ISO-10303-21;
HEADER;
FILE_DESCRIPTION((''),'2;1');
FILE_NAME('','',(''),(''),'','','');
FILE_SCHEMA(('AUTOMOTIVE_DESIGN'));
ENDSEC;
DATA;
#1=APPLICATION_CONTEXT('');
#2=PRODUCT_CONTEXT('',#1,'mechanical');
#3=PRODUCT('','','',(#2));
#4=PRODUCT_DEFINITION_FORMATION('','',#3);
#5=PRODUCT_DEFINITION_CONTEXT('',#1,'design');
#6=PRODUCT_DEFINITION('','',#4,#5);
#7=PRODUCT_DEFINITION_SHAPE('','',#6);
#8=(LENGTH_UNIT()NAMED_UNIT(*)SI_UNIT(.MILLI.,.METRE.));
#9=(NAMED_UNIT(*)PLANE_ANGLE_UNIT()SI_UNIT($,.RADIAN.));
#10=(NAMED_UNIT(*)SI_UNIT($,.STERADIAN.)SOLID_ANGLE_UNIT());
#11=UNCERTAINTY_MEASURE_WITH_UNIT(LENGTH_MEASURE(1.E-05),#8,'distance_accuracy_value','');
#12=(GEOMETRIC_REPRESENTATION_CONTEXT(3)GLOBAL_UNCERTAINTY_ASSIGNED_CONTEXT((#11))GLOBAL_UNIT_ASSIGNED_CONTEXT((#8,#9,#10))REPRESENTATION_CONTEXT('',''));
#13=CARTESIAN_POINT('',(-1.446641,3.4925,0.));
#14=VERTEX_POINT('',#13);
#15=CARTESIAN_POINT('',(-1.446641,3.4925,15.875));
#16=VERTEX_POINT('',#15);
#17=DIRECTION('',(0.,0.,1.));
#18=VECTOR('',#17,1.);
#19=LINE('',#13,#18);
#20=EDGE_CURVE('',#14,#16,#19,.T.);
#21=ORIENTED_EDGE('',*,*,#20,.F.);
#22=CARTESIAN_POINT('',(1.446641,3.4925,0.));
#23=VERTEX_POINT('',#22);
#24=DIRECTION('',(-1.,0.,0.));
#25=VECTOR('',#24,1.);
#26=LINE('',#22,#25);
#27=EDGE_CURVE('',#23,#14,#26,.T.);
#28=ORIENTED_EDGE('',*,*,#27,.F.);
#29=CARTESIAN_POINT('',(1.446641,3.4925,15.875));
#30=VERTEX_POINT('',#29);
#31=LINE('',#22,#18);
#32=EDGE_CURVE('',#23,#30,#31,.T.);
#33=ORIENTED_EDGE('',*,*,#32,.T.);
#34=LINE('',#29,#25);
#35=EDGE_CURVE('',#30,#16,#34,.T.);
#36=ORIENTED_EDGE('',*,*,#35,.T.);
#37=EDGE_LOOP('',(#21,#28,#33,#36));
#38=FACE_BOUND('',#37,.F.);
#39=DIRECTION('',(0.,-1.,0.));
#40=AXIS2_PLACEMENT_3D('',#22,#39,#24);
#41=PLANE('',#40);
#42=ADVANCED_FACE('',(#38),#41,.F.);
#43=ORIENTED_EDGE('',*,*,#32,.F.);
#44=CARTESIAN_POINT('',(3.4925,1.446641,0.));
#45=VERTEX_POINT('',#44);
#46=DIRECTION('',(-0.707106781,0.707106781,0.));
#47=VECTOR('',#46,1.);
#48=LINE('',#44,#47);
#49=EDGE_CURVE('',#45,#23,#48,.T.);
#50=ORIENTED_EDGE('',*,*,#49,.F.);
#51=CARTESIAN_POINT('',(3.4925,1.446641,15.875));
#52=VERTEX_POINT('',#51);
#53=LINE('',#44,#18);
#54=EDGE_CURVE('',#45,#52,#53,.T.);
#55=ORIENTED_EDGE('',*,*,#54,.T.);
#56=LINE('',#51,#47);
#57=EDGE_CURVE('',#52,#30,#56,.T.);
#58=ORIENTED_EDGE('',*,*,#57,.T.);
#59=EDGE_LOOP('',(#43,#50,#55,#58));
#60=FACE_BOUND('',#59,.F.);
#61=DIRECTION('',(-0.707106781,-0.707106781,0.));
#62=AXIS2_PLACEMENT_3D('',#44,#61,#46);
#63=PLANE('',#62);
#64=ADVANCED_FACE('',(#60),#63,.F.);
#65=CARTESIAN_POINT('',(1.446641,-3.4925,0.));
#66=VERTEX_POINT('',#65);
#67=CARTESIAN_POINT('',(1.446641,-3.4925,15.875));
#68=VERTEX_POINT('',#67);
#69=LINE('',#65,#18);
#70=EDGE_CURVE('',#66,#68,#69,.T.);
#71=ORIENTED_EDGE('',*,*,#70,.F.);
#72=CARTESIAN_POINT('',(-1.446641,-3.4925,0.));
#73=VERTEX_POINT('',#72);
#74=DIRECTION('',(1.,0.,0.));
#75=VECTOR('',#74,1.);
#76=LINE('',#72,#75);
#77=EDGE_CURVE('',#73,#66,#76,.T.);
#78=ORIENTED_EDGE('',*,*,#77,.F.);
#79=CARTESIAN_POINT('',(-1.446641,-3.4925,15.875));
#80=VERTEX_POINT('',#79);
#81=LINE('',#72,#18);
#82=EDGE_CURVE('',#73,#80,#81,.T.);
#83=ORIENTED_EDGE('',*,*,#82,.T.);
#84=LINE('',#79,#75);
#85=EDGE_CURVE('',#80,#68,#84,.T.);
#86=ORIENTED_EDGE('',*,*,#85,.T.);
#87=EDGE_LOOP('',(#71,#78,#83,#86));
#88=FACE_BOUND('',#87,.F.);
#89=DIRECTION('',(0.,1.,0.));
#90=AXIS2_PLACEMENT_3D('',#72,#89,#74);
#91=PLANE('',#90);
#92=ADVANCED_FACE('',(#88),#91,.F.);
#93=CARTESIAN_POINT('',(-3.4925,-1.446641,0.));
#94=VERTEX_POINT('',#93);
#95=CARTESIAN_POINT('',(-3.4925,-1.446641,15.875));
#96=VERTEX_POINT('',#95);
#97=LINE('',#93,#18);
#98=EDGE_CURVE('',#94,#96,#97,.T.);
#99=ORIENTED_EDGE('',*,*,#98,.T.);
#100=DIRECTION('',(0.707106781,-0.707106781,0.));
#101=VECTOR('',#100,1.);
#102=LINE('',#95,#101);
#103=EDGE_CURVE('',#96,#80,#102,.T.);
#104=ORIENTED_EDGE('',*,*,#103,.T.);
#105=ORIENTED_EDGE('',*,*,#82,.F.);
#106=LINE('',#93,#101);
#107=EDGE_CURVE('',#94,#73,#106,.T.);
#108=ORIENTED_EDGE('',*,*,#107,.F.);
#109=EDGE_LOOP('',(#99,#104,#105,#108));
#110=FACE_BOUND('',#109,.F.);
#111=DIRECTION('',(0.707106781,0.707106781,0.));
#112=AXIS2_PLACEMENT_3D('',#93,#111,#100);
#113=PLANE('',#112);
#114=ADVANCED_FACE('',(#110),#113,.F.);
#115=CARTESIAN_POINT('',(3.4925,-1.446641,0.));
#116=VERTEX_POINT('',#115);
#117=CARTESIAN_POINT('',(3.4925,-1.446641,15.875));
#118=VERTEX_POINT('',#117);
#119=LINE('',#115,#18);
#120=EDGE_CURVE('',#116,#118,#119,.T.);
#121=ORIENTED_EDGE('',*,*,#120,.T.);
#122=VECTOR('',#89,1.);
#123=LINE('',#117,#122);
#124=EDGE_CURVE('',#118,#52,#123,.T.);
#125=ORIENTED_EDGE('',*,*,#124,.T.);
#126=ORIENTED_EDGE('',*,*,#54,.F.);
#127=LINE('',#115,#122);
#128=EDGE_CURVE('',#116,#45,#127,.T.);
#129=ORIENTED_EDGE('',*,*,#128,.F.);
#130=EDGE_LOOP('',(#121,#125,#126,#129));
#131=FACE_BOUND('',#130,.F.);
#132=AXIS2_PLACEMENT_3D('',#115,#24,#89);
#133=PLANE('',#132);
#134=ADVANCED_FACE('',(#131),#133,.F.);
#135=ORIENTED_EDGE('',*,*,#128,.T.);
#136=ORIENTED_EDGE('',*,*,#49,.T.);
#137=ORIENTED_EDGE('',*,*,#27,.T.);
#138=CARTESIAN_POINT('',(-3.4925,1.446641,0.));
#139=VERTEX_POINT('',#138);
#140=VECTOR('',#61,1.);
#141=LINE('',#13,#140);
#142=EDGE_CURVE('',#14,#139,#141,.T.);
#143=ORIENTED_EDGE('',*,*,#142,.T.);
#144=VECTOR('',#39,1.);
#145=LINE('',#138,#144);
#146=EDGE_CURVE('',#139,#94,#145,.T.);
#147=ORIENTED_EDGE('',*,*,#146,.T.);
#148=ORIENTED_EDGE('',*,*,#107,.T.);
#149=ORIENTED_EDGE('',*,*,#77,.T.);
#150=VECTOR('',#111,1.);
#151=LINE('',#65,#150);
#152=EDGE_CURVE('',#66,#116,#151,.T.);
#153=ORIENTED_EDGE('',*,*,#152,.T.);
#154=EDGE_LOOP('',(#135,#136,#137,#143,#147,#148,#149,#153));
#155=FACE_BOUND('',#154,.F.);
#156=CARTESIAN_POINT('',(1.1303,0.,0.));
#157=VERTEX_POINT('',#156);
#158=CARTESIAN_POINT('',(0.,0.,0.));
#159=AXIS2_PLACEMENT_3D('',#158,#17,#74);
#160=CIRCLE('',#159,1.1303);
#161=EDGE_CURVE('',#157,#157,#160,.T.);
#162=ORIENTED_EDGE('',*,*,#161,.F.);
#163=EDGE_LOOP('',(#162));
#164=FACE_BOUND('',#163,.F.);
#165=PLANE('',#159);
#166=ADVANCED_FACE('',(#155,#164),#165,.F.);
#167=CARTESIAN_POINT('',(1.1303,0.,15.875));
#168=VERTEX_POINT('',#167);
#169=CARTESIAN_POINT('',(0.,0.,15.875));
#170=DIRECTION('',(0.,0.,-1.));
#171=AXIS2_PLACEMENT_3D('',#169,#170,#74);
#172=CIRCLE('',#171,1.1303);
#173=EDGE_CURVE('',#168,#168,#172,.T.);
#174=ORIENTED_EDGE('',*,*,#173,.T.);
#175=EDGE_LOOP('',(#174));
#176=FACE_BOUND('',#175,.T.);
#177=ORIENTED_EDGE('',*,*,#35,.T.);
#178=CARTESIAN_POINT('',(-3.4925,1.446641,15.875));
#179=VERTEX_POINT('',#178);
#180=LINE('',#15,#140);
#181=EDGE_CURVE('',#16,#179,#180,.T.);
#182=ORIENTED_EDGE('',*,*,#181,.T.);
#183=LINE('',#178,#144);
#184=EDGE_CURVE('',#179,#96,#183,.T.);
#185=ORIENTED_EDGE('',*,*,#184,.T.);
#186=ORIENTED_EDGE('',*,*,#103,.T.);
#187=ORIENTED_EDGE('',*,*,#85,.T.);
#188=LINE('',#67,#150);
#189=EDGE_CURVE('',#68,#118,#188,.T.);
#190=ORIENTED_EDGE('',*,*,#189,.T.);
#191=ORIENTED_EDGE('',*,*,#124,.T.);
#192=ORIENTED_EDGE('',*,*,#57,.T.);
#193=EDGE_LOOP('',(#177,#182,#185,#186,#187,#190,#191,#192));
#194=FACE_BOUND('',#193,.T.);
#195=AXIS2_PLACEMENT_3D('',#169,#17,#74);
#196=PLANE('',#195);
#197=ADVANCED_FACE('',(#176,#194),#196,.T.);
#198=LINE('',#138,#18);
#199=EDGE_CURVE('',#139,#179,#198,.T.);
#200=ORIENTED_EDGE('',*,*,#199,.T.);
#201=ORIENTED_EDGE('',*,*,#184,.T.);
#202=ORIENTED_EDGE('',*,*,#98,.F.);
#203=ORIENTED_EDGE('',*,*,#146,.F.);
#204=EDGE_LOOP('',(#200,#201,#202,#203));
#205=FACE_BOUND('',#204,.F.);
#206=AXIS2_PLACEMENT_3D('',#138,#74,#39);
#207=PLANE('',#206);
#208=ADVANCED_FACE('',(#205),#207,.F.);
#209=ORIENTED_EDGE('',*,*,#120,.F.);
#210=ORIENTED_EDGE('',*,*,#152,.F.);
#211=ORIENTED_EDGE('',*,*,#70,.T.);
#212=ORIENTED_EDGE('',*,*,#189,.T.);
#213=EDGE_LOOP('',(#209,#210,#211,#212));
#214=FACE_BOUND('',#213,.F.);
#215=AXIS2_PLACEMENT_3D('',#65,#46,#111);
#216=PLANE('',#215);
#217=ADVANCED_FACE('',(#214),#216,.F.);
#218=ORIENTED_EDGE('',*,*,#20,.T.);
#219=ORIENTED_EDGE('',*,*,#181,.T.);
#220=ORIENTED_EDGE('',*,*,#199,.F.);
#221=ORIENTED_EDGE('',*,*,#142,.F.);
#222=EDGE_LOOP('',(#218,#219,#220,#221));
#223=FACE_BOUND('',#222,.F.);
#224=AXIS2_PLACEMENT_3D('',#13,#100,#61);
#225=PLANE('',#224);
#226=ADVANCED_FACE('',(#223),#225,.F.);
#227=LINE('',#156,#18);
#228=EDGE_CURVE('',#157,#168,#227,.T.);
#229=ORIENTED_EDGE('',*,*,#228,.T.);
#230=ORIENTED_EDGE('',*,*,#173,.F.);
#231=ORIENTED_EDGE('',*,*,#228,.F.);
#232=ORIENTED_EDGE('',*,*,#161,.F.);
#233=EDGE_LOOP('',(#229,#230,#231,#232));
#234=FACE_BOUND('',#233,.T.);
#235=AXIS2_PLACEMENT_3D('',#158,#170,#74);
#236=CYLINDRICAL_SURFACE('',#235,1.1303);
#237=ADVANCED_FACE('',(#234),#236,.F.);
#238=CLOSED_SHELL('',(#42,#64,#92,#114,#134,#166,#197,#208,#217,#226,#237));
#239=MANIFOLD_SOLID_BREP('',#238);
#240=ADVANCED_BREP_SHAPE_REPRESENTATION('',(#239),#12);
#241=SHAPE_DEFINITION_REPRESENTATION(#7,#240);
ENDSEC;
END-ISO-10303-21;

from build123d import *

# Parameters (mm, degrees)
F1_DEPTH = 15.875
F2_R     = 1.1303
F3_DEPTH = 15.876


with BuildPart() as f1:
    # F0 (on Top) → F1 (new body)
    with BuildSketch(Plane.XY):
        Polygon((3.4925, 1.446641), (1.446641, 3.4925), (-1.446641, 3.4925), (-3.4925, 1.446641), (-3.4925, -1.446641), (-1.446641, -3.4925), (1.446641, -3.4925), (3.4925, -1.446641), align=None)
    extrude(amount=F1_DEPTH)

    # F2 (on Top) → F3 (cut, through all)
    with BuildSketch(Plane.XY):
        Circle(F2_R)
    extrude(amount=F3_DEPTH, mode=Mode.SUBTRACT)


solid = f1.part
